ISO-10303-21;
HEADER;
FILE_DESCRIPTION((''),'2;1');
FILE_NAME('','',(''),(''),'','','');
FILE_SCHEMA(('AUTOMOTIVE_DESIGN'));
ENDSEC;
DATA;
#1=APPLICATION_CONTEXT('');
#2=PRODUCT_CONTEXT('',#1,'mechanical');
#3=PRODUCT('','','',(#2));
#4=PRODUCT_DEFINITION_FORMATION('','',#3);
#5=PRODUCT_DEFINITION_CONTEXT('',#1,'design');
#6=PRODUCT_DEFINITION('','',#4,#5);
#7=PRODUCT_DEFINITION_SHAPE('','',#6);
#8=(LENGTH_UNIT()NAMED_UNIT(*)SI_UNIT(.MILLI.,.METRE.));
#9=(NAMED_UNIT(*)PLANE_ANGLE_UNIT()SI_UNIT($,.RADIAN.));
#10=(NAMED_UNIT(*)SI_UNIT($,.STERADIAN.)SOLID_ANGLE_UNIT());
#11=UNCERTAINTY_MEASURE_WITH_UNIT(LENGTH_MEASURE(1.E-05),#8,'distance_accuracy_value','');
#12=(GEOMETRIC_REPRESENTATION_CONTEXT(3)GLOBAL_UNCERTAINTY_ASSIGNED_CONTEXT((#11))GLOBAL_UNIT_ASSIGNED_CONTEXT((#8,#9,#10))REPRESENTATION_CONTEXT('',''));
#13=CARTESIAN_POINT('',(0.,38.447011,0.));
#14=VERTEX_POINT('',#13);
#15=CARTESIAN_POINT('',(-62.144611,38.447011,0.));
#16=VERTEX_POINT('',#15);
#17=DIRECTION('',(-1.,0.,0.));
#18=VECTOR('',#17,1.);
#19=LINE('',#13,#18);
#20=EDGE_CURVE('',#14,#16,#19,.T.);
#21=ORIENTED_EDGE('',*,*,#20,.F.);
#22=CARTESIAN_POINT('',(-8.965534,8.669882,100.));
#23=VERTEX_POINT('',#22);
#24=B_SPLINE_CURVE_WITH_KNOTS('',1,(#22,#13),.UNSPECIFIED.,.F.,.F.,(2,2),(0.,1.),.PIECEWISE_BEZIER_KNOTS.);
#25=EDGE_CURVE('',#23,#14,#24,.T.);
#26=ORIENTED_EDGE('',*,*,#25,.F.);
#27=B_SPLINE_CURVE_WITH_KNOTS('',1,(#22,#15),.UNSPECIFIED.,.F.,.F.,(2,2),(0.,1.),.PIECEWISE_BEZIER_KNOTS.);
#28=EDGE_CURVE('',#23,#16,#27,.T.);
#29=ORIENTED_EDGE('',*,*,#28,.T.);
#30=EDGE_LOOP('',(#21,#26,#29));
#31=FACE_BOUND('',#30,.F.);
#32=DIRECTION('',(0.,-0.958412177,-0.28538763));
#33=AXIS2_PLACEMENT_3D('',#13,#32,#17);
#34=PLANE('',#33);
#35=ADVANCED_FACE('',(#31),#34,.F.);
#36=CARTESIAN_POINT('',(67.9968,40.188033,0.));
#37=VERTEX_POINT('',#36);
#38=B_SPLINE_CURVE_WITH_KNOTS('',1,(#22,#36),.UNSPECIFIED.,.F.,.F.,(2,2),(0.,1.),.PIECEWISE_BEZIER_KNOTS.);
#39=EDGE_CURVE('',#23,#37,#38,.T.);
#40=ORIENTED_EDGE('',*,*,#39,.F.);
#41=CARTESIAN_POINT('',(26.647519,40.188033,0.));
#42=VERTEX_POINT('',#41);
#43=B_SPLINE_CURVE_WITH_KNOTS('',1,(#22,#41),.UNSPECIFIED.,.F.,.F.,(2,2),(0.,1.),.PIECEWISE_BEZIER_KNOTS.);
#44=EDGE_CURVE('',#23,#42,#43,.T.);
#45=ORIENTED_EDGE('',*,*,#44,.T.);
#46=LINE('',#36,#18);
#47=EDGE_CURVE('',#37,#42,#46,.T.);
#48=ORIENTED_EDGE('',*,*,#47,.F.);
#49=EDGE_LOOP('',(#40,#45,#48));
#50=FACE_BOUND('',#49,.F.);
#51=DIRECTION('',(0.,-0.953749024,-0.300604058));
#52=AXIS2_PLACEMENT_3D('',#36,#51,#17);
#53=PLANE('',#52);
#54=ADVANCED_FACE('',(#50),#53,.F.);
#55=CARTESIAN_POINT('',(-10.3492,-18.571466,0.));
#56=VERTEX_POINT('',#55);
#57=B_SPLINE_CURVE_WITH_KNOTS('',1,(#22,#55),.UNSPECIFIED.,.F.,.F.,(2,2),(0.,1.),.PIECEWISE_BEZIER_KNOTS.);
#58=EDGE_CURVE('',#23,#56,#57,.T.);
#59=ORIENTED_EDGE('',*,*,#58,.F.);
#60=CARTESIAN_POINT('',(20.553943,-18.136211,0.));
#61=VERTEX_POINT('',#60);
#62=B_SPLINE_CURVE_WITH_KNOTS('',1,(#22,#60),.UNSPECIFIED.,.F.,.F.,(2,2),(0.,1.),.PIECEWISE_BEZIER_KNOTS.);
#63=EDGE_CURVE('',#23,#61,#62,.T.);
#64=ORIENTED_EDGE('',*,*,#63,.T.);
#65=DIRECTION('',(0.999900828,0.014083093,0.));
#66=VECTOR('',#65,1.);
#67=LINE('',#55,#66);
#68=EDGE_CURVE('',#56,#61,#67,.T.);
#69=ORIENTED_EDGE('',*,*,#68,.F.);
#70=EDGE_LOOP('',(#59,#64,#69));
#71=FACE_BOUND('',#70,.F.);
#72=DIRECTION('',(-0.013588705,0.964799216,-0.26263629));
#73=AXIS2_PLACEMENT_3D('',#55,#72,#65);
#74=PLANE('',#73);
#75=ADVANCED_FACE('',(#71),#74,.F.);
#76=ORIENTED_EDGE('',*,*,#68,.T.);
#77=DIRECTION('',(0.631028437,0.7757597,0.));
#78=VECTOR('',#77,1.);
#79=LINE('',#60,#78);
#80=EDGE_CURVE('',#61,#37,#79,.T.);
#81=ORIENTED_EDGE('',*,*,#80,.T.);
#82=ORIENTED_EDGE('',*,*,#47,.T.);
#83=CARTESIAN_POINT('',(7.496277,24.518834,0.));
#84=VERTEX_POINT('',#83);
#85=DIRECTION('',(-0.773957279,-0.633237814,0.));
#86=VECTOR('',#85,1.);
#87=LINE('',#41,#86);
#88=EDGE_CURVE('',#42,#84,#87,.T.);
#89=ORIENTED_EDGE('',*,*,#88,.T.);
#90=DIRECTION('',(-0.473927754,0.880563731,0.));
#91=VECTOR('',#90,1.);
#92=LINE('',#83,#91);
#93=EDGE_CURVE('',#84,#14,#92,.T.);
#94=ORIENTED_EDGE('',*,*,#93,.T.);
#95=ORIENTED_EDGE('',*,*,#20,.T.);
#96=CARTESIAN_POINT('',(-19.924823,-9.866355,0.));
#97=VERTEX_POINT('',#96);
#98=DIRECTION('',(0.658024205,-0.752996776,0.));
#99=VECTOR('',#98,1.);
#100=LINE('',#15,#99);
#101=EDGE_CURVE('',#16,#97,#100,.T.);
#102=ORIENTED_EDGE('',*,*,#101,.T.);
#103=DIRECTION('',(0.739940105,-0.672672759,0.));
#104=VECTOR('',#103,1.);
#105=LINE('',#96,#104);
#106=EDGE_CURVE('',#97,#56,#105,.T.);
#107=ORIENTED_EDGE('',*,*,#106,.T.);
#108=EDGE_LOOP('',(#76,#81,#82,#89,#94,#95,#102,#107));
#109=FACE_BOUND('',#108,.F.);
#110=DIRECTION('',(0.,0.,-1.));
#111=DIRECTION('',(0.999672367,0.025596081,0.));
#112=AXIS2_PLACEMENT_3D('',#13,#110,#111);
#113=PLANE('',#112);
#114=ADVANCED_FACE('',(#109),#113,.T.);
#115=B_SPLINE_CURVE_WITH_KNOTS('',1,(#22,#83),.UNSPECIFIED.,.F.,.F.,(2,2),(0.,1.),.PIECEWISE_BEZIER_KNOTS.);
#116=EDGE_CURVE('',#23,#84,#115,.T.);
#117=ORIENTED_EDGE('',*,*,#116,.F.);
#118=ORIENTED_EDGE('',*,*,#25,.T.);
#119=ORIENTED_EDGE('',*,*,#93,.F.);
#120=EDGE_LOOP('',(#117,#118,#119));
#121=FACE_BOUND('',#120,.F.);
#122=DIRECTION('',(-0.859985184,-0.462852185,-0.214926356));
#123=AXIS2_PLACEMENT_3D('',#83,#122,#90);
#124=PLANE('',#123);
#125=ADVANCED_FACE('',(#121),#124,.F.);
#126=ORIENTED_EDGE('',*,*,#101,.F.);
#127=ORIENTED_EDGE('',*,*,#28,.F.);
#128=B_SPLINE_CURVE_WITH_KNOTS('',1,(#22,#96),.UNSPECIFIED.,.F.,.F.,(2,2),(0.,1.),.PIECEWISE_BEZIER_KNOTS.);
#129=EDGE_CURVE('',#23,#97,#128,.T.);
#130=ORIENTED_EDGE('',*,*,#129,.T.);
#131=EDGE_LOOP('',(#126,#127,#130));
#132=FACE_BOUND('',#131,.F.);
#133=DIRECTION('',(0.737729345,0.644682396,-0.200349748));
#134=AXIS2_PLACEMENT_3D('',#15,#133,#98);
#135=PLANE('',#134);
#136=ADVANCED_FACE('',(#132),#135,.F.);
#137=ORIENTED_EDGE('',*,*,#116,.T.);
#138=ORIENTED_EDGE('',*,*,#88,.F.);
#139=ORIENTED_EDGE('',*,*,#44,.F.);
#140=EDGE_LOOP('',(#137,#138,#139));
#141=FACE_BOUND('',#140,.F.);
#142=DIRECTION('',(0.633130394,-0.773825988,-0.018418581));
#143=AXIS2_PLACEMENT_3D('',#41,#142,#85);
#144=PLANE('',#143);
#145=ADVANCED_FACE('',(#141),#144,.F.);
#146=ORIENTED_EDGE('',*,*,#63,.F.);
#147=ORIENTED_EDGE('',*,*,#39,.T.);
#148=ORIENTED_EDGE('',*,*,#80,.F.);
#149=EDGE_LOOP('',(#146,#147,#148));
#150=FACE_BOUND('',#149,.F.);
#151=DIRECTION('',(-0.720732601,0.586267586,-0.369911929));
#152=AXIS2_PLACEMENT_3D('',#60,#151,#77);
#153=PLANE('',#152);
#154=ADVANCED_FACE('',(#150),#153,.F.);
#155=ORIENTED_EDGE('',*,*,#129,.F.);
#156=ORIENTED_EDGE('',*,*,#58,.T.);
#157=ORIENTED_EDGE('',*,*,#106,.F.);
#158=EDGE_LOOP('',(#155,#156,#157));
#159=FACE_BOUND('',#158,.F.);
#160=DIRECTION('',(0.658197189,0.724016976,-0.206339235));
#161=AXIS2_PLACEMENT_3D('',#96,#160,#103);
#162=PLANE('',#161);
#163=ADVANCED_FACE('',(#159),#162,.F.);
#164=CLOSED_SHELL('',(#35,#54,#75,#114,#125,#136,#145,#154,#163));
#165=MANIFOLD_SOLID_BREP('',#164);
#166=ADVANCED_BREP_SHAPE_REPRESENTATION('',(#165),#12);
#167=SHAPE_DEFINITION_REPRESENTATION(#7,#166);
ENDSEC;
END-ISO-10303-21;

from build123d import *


with BuildPart() as f3:
    # F0 (on Top) → F3 section 0
    with BuildSketch(Plane.XY, mode=Mode.PRIVATE) as f3_s0:
        Polygon((0, 38.447011), (-62.144611, 38.447011), (-19.924823, -9.866355), (-10.3492, -18.571466), (20.553943, -18.136211), (67.9968, 40.188033), (26.647519, 40.188033), (7.496277, 24.518834), align=None)
    loft([Vertex(-8.965534, 8.669882, 100), f3_s0.sketch])


solid = f3.part
